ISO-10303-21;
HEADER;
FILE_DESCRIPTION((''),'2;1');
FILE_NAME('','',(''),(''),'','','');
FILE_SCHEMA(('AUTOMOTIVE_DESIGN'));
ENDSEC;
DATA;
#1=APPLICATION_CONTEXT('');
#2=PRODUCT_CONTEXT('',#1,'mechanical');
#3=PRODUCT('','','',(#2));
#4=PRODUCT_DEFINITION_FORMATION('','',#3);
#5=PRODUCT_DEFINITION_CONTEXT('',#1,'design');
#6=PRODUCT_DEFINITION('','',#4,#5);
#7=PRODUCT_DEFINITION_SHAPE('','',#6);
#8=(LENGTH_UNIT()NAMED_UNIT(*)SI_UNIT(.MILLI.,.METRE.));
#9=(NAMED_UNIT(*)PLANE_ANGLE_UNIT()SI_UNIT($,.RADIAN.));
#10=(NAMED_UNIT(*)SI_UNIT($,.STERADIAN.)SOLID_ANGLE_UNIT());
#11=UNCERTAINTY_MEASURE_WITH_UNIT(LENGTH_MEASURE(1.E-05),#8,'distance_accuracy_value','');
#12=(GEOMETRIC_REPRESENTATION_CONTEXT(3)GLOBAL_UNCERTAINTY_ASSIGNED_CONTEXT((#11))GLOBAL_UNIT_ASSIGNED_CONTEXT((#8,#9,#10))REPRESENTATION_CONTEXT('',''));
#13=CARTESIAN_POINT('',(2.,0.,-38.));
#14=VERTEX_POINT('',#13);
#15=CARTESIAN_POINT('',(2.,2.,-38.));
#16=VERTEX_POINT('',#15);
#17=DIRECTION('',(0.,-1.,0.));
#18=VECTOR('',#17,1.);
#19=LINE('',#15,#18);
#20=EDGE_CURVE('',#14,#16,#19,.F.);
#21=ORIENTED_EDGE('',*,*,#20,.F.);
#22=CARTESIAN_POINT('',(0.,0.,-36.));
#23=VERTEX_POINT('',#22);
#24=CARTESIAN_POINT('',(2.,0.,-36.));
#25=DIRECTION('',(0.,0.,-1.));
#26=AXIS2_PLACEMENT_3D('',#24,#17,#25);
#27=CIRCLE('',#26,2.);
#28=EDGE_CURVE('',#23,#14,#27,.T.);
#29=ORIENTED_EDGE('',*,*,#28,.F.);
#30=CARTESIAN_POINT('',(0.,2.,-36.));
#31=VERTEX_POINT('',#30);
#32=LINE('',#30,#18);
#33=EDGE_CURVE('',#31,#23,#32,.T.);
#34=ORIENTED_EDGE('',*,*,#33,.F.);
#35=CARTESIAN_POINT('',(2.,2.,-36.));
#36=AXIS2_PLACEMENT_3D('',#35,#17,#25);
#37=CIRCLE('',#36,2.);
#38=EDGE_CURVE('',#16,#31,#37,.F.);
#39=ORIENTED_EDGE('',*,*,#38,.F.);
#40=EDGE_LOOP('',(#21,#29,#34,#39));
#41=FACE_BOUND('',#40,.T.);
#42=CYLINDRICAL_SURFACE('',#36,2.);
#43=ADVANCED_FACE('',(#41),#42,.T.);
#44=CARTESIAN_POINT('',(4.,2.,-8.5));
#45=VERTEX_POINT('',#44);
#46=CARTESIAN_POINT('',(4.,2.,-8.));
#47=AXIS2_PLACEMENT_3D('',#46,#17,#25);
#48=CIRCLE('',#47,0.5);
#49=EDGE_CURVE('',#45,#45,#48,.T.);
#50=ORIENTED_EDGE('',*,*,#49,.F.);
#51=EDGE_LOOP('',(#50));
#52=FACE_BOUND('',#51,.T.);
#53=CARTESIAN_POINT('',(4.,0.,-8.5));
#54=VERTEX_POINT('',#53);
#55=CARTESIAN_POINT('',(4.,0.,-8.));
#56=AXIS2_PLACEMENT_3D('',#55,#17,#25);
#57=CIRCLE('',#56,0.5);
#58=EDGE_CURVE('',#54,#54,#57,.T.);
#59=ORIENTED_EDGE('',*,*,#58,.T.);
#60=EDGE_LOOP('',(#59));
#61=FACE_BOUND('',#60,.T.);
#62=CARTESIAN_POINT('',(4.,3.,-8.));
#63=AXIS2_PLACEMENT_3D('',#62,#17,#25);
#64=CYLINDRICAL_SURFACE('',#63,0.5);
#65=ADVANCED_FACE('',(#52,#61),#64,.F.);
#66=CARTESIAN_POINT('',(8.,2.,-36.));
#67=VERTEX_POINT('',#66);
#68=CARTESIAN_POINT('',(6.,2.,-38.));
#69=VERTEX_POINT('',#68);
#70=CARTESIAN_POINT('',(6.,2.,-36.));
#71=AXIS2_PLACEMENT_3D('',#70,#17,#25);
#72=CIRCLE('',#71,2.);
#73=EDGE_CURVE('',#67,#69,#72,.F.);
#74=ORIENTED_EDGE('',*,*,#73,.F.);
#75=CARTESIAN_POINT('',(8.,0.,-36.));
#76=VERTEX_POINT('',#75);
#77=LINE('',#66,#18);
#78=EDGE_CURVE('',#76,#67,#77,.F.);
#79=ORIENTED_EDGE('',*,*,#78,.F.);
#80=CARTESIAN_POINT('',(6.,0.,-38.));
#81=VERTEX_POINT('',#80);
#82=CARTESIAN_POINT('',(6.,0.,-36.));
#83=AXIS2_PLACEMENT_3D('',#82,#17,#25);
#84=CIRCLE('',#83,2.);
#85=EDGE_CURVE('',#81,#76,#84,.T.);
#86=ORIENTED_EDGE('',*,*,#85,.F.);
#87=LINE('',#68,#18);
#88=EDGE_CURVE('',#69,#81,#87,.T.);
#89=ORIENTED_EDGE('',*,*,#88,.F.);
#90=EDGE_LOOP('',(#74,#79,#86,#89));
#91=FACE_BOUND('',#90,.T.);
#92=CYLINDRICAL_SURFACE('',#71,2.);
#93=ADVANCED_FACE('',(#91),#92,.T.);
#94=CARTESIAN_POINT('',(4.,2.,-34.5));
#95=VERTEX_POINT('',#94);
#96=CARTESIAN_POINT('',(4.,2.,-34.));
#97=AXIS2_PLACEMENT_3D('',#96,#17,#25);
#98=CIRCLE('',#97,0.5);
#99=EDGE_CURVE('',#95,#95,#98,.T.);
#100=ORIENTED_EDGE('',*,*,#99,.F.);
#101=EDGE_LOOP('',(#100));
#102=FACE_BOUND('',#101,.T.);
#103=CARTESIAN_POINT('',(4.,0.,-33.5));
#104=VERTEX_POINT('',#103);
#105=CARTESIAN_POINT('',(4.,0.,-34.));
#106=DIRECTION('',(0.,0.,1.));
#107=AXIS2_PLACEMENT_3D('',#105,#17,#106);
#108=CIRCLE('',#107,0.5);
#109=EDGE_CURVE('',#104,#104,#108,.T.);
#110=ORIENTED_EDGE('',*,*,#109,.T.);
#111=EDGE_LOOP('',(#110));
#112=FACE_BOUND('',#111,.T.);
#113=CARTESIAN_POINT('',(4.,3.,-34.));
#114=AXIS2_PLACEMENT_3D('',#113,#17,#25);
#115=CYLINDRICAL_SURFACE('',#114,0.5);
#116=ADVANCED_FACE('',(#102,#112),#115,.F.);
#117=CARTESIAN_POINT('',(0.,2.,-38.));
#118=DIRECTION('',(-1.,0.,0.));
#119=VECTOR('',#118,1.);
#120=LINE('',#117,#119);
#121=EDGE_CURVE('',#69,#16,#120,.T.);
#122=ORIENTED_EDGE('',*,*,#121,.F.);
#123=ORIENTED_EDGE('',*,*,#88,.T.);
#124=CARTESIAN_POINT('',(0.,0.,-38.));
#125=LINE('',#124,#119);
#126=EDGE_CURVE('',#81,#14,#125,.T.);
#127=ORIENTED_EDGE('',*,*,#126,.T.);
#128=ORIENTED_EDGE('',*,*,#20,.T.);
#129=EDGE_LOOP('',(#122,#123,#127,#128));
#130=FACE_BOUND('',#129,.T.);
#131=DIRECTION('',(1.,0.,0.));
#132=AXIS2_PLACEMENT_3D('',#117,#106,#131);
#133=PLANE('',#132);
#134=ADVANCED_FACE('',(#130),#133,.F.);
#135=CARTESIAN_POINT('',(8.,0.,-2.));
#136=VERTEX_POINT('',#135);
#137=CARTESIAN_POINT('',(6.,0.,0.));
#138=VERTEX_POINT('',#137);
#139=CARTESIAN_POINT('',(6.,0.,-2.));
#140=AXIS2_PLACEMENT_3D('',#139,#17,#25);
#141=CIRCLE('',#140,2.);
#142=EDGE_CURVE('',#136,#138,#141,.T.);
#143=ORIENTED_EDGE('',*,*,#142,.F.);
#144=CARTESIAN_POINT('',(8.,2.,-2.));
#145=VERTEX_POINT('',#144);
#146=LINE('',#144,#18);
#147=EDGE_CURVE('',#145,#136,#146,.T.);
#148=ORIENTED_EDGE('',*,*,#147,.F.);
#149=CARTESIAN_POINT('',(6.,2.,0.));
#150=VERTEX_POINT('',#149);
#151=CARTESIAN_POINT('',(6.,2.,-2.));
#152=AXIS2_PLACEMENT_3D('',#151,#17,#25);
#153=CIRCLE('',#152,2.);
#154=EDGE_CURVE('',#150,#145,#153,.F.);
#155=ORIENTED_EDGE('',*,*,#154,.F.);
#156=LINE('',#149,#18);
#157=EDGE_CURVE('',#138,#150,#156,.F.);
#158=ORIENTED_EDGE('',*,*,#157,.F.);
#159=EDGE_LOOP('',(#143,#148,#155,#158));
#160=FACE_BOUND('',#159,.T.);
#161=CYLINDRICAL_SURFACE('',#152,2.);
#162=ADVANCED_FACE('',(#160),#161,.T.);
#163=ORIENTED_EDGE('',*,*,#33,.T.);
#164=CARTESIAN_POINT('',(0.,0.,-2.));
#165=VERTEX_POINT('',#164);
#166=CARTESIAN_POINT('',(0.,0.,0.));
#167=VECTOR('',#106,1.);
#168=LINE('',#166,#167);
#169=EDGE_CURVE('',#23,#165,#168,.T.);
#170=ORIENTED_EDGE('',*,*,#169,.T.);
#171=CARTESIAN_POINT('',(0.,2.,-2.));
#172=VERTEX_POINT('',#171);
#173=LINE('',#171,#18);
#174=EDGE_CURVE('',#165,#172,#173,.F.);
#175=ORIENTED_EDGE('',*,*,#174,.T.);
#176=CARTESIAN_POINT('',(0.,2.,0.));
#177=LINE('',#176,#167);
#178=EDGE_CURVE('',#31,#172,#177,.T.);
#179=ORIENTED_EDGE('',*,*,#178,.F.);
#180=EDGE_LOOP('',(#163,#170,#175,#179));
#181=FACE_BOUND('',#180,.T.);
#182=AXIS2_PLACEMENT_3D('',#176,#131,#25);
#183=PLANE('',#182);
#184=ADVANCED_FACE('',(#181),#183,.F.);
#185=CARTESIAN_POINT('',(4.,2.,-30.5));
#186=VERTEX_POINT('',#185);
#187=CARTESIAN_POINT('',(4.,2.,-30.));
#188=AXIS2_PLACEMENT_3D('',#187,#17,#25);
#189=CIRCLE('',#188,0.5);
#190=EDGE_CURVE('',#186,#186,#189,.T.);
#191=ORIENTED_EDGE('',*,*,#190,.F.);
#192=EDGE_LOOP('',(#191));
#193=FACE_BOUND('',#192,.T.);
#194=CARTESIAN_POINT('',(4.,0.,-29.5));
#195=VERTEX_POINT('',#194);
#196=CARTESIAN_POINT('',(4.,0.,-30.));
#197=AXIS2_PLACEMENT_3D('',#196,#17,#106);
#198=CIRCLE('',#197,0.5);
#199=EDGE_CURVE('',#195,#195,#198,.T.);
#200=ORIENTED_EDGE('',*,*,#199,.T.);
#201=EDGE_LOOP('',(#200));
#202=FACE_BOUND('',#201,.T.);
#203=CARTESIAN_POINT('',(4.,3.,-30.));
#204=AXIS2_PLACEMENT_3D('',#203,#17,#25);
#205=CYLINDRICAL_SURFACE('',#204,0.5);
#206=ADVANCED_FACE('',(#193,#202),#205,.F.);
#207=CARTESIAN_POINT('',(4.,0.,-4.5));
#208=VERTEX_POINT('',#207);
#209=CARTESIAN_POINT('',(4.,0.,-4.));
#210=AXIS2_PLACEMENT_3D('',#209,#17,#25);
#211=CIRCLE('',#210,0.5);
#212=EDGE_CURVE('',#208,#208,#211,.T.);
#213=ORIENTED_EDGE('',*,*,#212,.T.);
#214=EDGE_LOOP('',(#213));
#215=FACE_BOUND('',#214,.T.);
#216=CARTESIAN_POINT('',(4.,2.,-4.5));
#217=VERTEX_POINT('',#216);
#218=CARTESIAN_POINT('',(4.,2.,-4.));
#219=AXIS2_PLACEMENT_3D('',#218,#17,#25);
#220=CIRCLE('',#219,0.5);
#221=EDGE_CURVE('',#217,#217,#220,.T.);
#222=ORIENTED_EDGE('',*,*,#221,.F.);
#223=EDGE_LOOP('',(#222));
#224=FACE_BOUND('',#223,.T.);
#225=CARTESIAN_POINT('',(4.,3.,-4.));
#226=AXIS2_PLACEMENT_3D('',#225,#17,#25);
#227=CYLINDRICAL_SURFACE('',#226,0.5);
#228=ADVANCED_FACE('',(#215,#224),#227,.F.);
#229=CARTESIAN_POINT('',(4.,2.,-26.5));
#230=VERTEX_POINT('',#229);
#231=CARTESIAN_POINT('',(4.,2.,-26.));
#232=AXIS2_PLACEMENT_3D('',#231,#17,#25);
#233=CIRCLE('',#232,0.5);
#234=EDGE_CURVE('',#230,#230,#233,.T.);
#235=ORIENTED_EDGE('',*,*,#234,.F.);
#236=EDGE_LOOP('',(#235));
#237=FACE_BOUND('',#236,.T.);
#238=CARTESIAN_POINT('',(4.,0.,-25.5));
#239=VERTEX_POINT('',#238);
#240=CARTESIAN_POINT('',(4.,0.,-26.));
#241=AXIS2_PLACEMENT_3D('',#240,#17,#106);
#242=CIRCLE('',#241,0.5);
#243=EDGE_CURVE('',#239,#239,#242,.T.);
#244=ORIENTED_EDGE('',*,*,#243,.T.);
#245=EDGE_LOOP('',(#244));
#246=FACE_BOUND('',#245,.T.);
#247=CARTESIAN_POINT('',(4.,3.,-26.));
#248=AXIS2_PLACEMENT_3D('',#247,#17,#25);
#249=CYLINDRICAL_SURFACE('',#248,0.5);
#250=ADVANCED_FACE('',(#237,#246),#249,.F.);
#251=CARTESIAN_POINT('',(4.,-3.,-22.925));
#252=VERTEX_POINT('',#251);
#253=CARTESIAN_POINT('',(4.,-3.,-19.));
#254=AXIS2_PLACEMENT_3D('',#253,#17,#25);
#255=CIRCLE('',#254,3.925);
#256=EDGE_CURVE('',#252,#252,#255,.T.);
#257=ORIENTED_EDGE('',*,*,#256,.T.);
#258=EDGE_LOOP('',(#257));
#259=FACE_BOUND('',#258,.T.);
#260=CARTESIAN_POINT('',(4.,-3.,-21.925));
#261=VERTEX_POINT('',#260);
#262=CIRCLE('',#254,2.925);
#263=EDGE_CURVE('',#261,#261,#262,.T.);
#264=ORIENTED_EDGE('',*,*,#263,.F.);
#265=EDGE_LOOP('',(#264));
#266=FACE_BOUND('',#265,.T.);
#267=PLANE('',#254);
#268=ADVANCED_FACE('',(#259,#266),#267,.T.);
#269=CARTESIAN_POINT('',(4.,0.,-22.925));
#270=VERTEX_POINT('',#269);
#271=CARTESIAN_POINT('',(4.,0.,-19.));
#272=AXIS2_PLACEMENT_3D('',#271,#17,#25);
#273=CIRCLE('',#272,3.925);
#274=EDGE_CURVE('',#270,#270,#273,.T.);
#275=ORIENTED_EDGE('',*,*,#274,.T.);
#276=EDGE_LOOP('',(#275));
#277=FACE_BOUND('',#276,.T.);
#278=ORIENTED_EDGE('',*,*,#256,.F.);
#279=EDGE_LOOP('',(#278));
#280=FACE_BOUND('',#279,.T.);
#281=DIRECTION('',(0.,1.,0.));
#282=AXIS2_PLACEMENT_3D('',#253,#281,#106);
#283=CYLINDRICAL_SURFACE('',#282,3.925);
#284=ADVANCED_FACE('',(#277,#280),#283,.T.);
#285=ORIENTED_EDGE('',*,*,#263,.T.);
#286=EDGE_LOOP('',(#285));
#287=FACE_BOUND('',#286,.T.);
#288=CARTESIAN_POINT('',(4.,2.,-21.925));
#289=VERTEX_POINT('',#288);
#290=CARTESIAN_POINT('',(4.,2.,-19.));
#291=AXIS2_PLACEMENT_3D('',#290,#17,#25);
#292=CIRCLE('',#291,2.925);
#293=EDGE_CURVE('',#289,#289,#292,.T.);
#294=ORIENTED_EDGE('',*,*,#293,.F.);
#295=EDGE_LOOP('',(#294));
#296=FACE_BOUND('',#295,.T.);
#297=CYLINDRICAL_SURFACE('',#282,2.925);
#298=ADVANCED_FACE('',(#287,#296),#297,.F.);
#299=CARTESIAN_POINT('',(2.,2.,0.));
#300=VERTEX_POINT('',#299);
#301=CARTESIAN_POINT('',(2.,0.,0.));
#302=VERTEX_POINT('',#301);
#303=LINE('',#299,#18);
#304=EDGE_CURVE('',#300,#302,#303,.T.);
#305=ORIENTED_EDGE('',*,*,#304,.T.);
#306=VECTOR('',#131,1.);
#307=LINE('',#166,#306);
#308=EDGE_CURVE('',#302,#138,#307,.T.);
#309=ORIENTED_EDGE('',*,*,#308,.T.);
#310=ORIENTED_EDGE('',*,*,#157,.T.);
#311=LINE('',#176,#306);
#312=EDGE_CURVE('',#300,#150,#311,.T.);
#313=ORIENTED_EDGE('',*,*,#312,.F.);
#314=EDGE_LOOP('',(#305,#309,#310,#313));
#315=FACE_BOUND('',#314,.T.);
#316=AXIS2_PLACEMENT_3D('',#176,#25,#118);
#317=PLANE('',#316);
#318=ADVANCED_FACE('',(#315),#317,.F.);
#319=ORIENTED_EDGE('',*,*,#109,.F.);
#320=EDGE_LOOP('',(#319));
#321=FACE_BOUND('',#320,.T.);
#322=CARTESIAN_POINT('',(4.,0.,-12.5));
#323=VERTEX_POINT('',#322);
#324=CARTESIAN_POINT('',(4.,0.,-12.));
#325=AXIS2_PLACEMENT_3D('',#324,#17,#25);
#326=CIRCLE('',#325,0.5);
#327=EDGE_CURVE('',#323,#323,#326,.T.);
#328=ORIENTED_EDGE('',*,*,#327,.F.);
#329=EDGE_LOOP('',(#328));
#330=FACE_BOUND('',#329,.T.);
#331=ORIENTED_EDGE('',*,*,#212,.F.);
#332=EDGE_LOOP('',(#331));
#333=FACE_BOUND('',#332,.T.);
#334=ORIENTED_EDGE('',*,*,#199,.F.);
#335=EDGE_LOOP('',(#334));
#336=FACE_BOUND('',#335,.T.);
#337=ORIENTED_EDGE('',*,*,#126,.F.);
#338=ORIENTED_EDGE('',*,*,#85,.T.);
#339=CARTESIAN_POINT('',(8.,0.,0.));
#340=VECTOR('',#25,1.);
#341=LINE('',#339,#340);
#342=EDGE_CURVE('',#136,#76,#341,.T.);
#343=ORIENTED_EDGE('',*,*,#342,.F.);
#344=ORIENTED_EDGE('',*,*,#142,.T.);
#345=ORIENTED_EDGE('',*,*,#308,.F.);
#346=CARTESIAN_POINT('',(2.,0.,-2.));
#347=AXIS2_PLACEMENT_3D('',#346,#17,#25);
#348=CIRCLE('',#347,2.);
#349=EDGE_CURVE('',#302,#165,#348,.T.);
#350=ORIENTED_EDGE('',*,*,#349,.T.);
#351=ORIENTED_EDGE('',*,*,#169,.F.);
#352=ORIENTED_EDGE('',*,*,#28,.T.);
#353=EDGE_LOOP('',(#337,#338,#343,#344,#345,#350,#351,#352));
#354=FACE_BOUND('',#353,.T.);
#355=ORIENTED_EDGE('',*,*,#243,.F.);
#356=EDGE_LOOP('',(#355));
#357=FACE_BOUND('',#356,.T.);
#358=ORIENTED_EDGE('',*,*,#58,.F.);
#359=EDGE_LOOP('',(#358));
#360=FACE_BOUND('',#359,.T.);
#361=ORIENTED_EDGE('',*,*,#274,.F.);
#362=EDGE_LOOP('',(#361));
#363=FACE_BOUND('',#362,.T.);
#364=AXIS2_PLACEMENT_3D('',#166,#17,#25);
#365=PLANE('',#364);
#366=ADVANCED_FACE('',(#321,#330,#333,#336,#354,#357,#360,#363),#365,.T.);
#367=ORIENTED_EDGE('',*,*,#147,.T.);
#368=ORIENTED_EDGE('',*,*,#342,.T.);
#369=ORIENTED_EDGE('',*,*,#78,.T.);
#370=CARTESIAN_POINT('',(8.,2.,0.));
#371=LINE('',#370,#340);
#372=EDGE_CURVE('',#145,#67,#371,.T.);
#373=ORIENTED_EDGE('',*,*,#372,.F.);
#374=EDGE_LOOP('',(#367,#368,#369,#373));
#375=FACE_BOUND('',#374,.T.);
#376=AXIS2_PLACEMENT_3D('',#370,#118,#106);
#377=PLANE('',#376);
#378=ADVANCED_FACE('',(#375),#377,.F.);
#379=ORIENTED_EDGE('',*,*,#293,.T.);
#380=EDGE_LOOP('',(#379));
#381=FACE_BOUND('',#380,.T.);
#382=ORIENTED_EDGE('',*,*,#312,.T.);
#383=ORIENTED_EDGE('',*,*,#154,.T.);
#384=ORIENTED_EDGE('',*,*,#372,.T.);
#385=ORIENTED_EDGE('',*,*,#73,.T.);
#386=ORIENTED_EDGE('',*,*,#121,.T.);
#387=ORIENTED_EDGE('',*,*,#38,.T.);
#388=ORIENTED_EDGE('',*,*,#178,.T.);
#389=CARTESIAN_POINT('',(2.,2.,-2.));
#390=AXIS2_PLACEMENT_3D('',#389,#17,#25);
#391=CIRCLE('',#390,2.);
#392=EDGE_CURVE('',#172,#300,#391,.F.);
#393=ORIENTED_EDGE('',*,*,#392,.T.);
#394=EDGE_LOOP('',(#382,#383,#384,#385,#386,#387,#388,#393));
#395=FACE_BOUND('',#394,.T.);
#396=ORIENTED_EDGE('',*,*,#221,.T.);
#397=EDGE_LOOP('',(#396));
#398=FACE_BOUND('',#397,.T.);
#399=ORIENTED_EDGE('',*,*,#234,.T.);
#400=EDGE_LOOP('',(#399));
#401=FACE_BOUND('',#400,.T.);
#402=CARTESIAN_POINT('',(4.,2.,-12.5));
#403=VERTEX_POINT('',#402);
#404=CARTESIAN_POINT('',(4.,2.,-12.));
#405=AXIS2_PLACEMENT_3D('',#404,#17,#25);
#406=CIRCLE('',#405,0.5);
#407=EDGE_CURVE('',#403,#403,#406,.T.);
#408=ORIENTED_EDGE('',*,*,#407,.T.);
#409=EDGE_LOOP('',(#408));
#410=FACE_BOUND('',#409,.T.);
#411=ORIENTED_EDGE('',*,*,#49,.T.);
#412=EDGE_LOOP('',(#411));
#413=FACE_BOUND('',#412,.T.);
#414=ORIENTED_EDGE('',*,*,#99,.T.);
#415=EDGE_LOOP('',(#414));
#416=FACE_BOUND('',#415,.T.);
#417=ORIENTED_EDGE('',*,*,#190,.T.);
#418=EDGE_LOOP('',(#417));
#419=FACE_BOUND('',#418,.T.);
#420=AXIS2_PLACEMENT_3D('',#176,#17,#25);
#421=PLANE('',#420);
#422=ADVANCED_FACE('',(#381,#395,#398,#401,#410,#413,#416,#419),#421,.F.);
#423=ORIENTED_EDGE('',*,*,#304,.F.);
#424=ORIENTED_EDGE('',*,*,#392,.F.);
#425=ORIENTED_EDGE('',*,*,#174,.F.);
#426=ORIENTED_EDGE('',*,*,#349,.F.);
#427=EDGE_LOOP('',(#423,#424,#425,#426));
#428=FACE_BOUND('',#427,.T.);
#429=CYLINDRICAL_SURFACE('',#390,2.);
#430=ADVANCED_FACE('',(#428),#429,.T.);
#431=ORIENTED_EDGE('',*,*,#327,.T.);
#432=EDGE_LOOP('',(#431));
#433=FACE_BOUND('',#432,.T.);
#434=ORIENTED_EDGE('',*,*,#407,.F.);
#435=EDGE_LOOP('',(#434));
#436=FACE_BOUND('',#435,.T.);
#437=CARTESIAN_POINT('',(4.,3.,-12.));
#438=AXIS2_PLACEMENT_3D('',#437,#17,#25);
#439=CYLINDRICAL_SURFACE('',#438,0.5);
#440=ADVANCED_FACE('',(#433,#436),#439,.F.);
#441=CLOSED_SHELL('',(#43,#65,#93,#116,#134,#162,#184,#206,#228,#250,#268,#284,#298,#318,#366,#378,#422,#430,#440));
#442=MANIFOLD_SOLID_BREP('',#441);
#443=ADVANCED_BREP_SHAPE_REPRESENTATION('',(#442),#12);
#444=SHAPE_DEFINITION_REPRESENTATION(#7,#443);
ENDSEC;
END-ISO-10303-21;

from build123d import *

# Parameters (mm, degrees)
SKETCH1_W           = 8
SKETCH1_H           = 38
BOSS_EXTRUDE1_DEPTH = 2
SKETCH2_R           = 3.925
SKETCH2_R_2         = 2.925
BOSS_EXTRUDE2_DEPTH = 3
CUT_EXTRUDE1_START  = -3
SKETCH3_R           = 2.925
SKETCH3_R_2         = 0.5
CUT_EXTRUDE1_DEPTH  = 3
FILLET3_R           = 2


with BuildPart() as part:
    # Sketch1 → Boss-Extrude1 (new body)
    with BuildSketch(Plane(origin=(0, 0, 0), x_dir=(1, 0, 0), z_dir=(0, 1, 0))):
        with Locations((4, 19)):
            Rectangle(SKETCH1_W, SKETCH1_H)
    extrude(amount=BOSS_EXTRUDE1_DEPTH)

    # Sketch2 → Boss-Extrude2 (add)
    with BuildSketch(Plane.XZ):
        with Locations(Location((4, -19, 0), (0, 0, 270))):
            Circle(SKETCH2_R)
        with Locations(Location((4, -19, 0), (0, 0, 270))):
            Circle(SKETCH2_R_2, mode=Mode.SUBTRACT)
    extrude(amount=BOSS_EXTRUDE2_DEPTH)

    # Sketch3 → Cut-Extrude1 (cut)
    with BuildSketch(Plane.XZ.offset(CUT_EXTRUDE1_START)):
        with Locations(Location((4, -19, 0), (0, 0, 270))):
            Circle(SKETCH3_R)
        with Locations(Location((4, -4, 0), (0, 0, 270))):
            Circle(SKETCH3_R_2)
        with Locations(Location((4, -8, 0), (0, 0, 270))):
            Circle(SKETCH3_R_2)
        with Locations(Location((4, -12, 0), (0, 0, 270))):
            Circle(SKETCH3_R_2)
        with Locations(Location((4, -26, 0), (0, 0, 270))):
            Circle(SKETCH3_R_2)
        with Locations(Location((4, -30, 0), (0, 0, 270))):
            Circle(SKETCH3_R_2)
        with Locations(Location((4, -34, 0), (0, 0, 270))):
            Circle(SKETCH3_R_2)
    extrude(amount=CUT_EXTRUDE1_DEPTH, mode=Mode.SUBTRACT)

    # Fillet3
    fillet3_edges = [part.edges().sort_by_distance(p)[0] for p in [
        (0, 1, -38),
        (8, 1, -38),
        (8, 1, 0),
        (0, 1, 0),
    ]]
    fillet(fillet3_edges, radius=FILLET3_R)


solid = part.part
